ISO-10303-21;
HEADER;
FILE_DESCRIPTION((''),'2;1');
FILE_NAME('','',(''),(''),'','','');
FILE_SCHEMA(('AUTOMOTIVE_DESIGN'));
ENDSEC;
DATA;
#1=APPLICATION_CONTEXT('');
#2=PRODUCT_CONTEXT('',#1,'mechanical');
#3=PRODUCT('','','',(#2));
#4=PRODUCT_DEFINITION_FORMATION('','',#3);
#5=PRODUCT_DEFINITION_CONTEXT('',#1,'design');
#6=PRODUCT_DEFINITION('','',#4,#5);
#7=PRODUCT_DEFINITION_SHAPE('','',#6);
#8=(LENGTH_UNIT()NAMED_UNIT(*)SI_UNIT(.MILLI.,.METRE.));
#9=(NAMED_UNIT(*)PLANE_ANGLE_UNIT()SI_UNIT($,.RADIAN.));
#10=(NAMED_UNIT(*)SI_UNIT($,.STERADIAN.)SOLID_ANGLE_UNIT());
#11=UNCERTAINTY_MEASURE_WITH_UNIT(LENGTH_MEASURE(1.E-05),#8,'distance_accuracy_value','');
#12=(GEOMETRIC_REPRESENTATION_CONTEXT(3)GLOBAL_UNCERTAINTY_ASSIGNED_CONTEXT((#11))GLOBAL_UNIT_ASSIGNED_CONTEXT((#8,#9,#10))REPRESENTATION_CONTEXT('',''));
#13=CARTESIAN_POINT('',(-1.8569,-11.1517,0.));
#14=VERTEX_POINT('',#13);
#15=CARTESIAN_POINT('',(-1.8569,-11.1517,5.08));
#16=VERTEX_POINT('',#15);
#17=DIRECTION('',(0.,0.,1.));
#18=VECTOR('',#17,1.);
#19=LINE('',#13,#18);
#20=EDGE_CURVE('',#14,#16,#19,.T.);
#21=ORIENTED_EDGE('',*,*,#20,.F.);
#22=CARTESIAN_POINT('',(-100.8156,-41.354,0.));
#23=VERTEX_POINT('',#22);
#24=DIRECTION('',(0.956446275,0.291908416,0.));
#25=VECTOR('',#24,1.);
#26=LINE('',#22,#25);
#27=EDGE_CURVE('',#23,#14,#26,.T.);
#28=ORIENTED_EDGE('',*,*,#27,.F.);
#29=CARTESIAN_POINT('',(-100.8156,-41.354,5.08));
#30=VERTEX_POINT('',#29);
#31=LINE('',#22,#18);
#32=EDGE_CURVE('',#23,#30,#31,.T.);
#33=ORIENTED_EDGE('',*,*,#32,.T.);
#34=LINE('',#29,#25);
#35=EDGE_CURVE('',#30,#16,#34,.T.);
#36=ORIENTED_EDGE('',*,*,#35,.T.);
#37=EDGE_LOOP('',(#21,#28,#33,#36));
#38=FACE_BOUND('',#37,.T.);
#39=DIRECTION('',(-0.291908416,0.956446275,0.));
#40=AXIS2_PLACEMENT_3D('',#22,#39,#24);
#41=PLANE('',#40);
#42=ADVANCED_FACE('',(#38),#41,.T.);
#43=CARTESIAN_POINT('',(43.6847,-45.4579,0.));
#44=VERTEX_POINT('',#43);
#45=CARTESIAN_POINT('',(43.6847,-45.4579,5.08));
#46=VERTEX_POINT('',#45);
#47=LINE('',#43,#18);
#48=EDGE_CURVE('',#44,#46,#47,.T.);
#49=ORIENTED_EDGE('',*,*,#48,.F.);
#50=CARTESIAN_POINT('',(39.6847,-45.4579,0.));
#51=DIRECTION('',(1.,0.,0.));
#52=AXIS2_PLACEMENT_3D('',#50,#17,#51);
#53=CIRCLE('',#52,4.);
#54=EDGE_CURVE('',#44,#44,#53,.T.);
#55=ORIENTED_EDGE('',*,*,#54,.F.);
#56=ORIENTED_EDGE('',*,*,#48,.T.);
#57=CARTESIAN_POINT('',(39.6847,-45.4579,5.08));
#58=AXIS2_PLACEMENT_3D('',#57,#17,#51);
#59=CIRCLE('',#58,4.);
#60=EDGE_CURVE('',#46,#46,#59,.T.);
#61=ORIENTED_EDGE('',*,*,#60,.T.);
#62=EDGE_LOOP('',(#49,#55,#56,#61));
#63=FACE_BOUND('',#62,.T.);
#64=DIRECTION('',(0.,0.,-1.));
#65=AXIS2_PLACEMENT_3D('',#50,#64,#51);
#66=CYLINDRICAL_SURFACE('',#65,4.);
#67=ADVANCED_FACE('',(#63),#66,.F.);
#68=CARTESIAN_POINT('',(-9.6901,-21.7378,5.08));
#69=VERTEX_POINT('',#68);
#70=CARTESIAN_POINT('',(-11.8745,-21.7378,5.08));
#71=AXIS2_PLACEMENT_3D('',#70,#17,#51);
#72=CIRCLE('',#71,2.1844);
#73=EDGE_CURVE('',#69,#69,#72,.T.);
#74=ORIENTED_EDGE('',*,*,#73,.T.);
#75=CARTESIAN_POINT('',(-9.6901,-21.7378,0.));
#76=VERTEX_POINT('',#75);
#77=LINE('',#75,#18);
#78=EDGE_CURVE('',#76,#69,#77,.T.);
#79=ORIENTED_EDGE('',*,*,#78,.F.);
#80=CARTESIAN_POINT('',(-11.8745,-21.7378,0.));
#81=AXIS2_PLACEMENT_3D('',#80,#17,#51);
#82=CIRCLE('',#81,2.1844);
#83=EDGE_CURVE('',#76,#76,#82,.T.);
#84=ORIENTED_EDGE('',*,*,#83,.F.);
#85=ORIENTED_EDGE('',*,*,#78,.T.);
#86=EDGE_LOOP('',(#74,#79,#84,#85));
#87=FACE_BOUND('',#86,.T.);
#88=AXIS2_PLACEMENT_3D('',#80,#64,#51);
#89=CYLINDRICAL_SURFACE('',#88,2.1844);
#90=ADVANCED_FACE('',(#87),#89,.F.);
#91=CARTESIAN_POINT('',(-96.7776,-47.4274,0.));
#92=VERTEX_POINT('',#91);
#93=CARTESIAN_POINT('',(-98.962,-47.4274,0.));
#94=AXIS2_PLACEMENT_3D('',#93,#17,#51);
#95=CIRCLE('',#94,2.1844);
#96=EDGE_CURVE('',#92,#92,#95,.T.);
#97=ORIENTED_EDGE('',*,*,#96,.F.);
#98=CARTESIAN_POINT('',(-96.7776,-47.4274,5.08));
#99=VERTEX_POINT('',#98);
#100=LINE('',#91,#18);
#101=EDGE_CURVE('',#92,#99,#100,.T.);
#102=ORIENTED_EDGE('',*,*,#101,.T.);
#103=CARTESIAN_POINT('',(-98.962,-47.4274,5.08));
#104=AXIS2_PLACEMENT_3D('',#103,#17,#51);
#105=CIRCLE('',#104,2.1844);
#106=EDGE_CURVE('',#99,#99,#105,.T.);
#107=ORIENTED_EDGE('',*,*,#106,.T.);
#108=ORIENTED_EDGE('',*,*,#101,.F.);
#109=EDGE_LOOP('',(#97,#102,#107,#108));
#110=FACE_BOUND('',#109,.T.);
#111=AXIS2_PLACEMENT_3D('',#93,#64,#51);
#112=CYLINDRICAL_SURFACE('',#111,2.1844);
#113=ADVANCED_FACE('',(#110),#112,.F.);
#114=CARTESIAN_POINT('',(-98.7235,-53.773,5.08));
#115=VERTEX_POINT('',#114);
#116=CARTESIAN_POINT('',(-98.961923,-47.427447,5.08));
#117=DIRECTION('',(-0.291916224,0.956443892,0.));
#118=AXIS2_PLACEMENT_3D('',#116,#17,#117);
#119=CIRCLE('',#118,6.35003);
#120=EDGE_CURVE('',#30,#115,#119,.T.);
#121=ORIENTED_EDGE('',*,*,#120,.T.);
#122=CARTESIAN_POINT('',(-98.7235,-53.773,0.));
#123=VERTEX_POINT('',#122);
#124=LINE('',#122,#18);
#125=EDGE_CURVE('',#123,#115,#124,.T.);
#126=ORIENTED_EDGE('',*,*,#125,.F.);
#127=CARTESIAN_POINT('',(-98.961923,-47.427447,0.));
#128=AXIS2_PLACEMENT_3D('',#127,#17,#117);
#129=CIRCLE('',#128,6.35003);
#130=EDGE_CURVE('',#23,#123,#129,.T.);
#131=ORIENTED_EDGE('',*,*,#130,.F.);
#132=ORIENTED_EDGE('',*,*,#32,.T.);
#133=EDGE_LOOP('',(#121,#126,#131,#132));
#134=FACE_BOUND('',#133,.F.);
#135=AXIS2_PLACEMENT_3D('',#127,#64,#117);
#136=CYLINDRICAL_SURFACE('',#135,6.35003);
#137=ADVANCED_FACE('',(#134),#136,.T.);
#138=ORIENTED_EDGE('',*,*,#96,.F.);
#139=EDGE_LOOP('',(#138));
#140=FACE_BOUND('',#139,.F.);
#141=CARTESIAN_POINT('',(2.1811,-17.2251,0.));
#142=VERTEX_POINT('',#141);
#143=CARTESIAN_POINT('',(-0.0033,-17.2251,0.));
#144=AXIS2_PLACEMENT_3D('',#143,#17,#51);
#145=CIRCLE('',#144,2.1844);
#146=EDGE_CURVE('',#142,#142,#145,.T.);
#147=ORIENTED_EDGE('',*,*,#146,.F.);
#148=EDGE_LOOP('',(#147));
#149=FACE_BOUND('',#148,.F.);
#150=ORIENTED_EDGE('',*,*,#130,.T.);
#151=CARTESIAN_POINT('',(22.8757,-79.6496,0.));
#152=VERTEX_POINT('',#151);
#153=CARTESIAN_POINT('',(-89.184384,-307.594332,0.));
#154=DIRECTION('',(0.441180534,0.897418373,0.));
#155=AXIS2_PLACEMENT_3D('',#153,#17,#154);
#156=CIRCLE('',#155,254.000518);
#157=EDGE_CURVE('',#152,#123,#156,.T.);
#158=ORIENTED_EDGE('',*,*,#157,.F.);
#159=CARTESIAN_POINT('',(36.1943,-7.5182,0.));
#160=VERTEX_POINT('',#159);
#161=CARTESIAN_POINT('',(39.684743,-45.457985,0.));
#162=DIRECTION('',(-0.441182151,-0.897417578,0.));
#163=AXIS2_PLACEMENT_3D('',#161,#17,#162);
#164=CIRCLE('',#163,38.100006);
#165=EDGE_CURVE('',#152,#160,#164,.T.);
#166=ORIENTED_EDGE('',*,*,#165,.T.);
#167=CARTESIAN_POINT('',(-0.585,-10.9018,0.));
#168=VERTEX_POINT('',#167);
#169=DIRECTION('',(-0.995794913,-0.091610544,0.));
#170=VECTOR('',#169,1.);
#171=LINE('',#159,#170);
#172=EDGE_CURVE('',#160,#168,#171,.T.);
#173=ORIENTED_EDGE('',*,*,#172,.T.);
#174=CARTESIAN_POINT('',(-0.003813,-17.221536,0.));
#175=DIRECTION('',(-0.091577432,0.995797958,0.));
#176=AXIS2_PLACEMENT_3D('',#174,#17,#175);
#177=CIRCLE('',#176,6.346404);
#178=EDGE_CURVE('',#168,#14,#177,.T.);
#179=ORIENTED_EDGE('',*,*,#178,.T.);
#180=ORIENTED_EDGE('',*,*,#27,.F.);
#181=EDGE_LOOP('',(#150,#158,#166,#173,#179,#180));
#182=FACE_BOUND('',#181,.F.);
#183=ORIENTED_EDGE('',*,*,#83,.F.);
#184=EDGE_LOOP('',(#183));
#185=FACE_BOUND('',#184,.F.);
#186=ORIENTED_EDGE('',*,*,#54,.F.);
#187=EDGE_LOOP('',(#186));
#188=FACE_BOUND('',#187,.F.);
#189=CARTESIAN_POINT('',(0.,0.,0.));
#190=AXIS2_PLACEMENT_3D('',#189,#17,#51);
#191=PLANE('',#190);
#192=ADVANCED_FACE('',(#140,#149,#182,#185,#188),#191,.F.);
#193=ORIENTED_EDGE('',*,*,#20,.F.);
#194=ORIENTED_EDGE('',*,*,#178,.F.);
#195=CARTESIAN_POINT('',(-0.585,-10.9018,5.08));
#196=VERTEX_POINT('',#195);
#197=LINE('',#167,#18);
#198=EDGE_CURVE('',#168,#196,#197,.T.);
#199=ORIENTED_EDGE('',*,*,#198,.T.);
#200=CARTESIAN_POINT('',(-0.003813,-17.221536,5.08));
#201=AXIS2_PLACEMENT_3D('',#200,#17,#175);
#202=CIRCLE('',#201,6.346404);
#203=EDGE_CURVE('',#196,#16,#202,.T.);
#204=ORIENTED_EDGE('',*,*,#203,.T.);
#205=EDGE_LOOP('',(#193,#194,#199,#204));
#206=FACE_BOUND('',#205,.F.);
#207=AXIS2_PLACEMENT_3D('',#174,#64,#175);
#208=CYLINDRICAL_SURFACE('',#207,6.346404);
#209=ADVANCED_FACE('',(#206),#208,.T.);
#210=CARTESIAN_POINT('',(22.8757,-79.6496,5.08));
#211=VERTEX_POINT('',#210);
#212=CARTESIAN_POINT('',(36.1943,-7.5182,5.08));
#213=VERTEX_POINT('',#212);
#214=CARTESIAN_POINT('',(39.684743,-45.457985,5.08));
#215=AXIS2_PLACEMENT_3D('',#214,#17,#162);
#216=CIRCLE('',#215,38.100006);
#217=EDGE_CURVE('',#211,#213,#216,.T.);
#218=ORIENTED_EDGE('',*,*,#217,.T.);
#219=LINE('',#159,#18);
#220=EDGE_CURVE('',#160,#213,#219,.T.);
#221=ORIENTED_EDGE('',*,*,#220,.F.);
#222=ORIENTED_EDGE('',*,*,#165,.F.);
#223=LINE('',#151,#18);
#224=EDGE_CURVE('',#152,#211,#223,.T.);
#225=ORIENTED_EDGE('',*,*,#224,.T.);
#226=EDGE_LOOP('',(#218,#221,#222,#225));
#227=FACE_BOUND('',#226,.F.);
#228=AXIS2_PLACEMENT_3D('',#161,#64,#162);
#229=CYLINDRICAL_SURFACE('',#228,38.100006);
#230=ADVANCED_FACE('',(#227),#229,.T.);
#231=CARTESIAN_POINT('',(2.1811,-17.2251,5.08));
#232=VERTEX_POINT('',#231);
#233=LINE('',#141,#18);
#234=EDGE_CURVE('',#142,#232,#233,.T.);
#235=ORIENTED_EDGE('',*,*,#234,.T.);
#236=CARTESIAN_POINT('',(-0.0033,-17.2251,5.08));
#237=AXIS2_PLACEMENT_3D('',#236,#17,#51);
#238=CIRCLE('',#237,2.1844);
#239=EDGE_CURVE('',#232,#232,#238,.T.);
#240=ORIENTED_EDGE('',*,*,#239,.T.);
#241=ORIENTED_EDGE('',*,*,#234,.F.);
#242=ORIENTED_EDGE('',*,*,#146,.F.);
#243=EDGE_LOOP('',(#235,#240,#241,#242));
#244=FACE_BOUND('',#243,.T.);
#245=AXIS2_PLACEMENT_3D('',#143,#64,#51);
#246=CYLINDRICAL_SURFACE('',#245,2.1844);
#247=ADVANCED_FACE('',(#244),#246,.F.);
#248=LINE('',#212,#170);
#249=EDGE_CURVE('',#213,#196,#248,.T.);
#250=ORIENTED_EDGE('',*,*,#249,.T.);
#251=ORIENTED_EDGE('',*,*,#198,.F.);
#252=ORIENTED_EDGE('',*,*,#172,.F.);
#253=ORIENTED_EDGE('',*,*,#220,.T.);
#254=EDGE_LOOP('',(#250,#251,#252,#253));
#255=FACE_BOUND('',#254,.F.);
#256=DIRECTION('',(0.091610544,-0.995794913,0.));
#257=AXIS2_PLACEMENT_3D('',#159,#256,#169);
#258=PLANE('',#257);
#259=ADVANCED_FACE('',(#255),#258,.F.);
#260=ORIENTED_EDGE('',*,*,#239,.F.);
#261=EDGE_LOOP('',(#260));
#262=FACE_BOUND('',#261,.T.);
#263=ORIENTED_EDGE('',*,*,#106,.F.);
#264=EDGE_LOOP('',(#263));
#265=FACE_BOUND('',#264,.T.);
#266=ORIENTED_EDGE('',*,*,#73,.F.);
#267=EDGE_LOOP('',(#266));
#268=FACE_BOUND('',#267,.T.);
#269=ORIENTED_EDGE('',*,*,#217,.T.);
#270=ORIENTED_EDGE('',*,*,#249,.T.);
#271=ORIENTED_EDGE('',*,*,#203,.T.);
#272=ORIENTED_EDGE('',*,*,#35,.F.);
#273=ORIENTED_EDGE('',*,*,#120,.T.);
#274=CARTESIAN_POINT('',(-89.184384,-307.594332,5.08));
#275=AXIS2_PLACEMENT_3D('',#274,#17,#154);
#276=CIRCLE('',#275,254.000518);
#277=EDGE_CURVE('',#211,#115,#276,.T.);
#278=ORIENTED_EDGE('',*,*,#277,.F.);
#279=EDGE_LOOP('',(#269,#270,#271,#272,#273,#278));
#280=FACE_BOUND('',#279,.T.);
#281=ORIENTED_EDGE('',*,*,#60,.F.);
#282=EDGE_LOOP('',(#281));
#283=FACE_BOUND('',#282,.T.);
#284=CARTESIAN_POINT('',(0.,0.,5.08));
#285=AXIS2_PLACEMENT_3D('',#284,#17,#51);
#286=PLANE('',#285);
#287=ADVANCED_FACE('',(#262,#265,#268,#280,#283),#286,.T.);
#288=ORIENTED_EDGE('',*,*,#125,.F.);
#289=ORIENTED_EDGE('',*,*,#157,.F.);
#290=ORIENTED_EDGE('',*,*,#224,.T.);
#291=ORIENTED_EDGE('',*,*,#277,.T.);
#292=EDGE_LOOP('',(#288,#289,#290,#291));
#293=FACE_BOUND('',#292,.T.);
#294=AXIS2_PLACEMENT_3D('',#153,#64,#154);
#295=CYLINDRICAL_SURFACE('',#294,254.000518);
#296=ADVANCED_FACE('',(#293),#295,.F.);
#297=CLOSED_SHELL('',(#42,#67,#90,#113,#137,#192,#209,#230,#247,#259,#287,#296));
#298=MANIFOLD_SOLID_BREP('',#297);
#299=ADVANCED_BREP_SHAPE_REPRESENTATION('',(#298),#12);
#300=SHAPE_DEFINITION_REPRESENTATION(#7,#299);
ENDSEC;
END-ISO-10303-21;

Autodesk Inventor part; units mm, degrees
ref_plane "YZ Plane" through (0, 0, 0) normal (1, 0, 0) x (0, 1, 0)
ref_plane "XZ Plane" through (0, 0, 0) normal (0, 1, 0) x (-1, 0, 0)
ref_plane "XY Plane" through (0, 0, 0) normal (0, 0, 1) x (1, 0, 0)
sketch "Sketch1" plane through (0, 0, 0) normal (0, 0, 1) x (1, 0, 0)
  circle A0 centre (-98.962, -47.4274) radius 2.1844 projected
  circle A1 centre (39.6847, -45.4579) radius 2.9019 construction
  arc A2 (-100.8156, -41.354) -> (-98.7235, -53.773) centre (-98.962, -47.4274) ccw
  arc A3 (22.8757, -79.6496) -> (36.1943, -7.5182) centre (39.6847, -45.4579) ccw
  circle A4 centre (-11.8745, -21.7378) radius 6.35 construction
  arc A5 (-0.585, -10.9018) -> (-1.8569, -11.1517) centre (-0.0033, -17.2251) ccw
  line L0 (-11.8745, -21.7378) -> (-0.0033, -17.2251) construction
  line L1 (-98.962, -47.4274) -> (39.6847, -45.4579) construction
  circle A6 centre (-0.0033, -17.2251) radius 2.1844
  circle A7 centre (-11.8745, -21.7378) radius 2.1844
  line L2 (-100.8156, -41.354) -> (-1.8569, -11.1517)
  line L3 (36.1943, -7.5182) -> (-0.585, -10.9018)
  arc A8 (22.8757, -79.6496) -> (-98.7235, -53.773) centre (-89.1842, -307.5938) ccw
  circle A9 centre (39.6847, -45.4579) radius 4
  point P0 (0, 0)
  dimension "d0" = 12.7
  dimension "d1" = 76.2
  dimension "d2" = 12.7
  dimension "d3" = 20
  dimension "d4" = 4.3688
  dimension "d5" = 4.3688
  dimension "d6" = 254
  dimension "d7" = 8
extrude "Extrusion1" add sketch "Sketch1" along normal blind 5.08
properties part number "intakeside" material "Acetal Resin, Black"
